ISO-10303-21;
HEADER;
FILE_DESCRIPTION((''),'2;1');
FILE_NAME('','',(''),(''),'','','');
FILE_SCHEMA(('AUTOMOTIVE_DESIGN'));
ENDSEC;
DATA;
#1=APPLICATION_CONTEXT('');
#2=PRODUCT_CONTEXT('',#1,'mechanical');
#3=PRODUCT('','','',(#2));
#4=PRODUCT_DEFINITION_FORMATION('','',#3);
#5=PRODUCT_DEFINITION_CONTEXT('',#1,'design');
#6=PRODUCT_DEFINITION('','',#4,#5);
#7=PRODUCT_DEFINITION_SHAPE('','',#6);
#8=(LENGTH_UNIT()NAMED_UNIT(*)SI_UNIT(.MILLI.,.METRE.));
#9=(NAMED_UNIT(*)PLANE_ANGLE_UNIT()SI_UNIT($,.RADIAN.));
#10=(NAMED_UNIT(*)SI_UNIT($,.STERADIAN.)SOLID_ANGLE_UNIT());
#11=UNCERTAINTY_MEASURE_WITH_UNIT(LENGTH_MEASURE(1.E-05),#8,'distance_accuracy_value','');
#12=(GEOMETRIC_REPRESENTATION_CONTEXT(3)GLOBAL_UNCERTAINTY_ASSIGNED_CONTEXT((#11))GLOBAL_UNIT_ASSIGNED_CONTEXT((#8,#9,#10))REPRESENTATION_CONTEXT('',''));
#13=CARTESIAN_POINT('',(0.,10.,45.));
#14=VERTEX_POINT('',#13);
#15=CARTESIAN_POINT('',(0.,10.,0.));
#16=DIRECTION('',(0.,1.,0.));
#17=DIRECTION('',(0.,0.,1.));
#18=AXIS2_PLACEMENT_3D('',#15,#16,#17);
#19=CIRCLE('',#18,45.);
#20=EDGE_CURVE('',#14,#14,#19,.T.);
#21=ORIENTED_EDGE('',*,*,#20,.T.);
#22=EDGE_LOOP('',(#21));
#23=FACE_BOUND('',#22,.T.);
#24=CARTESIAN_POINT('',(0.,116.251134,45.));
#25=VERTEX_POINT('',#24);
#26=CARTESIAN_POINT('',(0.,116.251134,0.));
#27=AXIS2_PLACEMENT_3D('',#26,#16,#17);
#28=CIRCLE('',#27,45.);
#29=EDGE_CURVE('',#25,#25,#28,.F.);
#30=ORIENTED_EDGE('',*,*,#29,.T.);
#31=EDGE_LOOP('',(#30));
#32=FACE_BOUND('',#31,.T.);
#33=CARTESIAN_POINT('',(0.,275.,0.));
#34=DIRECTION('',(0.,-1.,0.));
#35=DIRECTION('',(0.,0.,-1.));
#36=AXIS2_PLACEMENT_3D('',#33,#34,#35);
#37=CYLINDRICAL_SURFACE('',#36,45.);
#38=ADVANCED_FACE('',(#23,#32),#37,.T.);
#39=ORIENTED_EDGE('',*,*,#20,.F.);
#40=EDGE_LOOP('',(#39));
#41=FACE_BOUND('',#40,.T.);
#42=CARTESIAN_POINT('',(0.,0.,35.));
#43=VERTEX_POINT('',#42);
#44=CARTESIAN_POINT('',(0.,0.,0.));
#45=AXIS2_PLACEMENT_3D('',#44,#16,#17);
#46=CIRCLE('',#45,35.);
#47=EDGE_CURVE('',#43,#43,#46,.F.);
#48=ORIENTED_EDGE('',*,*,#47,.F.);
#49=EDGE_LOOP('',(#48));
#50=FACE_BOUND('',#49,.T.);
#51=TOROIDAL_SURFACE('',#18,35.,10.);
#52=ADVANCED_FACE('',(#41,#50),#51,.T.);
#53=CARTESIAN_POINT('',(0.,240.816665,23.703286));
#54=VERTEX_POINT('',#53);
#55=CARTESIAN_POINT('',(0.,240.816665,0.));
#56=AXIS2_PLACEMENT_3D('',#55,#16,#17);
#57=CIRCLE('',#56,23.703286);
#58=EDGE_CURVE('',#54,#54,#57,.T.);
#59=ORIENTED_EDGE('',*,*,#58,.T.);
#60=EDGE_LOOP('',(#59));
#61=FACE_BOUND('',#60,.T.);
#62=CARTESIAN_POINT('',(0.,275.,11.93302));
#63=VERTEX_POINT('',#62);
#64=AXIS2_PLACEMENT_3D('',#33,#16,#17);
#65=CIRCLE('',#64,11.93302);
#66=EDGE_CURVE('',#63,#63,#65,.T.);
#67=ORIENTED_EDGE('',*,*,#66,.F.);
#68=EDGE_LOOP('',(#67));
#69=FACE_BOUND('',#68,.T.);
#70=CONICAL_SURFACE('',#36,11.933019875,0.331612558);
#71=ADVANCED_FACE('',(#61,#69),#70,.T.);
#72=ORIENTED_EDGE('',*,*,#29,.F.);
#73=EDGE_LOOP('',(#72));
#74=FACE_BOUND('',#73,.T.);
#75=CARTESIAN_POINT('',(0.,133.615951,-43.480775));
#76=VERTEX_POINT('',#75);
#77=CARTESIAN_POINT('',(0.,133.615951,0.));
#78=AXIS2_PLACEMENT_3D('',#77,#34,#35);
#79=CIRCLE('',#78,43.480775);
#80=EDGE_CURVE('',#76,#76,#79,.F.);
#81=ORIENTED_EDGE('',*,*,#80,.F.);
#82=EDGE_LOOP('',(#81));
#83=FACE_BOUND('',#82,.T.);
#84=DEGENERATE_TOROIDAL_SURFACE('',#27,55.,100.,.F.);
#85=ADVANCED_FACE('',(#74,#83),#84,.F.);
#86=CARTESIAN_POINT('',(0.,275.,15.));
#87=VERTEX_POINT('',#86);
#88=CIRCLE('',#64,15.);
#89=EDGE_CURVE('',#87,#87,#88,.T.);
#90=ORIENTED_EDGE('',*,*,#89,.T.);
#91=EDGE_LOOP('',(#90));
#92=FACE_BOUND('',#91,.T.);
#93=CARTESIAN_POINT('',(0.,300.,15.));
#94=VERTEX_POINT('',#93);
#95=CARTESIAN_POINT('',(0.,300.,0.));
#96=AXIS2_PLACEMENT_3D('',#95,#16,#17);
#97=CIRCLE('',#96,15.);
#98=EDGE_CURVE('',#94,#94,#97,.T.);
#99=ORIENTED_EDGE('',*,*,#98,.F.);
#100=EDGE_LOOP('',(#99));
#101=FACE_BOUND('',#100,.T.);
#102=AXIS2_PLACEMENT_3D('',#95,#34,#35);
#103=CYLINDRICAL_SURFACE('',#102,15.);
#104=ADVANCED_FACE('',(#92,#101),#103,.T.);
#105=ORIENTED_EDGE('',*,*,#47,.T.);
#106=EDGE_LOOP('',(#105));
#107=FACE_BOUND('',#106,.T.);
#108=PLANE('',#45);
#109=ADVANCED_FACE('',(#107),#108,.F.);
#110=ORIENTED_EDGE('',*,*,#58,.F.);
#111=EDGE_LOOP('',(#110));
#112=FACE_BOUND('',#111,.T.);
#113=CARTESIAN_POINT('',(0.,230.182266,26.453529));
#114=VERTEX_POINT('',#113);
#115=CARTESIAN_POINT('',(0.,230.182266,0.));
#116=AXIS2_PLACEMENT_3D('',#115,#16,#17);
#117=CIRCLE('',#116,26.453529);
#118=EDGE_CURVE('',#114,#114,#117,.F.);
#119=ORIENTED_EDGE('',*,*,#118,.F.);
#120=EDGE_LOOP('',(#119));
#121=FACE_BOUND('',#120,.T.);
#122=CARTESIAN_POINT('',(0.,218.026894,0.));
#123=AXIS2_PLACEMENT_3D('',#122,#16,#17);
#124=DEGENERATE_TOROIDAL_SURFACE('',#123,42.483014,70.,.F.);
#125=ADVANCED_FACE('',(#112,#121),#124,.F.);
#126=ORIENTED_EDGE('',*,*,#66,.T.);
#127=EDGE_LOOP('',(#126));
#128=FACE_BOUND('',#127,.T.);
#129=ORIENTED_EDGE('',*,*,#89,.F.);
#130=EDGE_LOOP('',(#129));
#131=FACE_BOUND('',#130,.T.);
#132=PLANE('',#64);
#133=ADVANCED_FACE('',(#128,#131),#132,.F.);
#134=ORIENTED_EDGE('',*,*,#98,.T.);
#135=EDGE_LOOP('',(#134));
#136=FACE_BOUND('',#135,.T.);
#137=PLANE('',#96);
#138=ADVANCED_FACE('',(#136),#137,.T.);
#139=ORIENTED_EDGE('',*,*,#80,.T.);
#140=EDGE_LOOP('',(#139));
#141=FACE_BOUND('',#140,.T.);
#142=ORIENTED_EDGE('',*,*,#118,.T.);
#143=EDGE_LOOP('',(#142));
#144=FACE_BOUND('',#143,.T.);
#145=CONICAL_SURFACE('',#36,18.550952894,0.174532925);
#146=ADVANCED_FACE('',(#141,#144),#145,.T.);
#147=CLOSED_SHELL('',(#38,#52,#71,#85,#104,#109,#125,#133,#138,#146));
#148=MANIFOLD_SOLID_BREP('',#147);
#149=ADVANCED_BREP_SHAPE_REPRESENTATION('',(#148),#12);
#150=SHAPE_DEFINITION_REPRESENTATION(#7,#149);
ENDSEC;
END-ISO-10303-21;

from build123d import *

# Parameters (mm, degrees)
SKETCH1_R           = 45
BOSS_EXTRUDE1_DEPTH = 275
FILLET1_R           = 10
CHAMFER1_SIZE       = 150
CHAMFER1_SIZE2      = 26.449047106
FILLET2_R           = 100
CHAMFER2_SIZE       = 40
CHAMFER2_SIZE2      = 6.617933019
FILLET3_R           = 70
SKETCH2_R           = 15
BOSS_EXTRUDE2_DEPTH = 25


with BuildPart() as part:
    # Sketch1 → Boss-Extrude1 (new body)
    with BuildSketch(Plane(origin=(0, 0, 0), x_dir=(1, 0, 0), z_dir=(0, 1, 0))):
        with Locations(Location((0, 0, 0), (0, 0, 270))):
            Circle(SKETCH1_R)
    extrude(amount=BOSS_EXTRUDE1_DEPTH)

    # Fillet1
    fillet1_edges = [part.edges().sort_by_distance(p)[0] for p in [
        (0, 0, -45),
    ]]
    fillet(fillet1_edges, radius=FILLET1_R)

    # Chamfer1
    chamfer1_edges = [part.edges().sort_by_distance(p)[0] for p in [
        (0, 275, -45),
    ]]
    chamfer1_side = [part.faces().sort_by_distance(p)[0] for p in [
        (0, 142.5, -45),
    ]]
    chamfer(chamfer1_edges, length=CHAMFER1_SIZE, length2=CHAMFER1_SIZE2, reference=chamfer1_side[0])

    # Fillet2
    fillet2_edges = [part.edges().sort_by_distance(p)[0] for p in [
        (0, 125, -45),
    ]]
    fillet(fillet2_edges, radius=FILLET2_R)

    # Chamfer2
    chamfer2_edges = [part.edges().sort_by_distance(p)[0] for p in [
        (0, 275, -18.550952894),
    ]]
    chamfer2_side = [part.faces().sort_by_distance(p)[0] for p in [
        (0, 204.307975707, -31.015864097),
    ]]
    chamfer(chamfer2_edges, length=CHAMFER2_SIZE, length2=CHAMFER2_SIZE2, reference=chamfer2_side[0])

    # Fillet3
    fillet3_edges = [part.edges().sort_by_distance(p)[0] for p in [
        (0, 235.60768988, -25.49688),
    ]]
    fillet(fillet3_edges, radius=FILLET3_R)

    # Sketch2 → Boss-Extrude2 (add)
    with BuildSketch(Plane(origin=(0, 275, 0), x_dir=(1, 0, 0), z_dir=(0, 1, 0))):
        with Locations(Location((0, 0, 0), (0, 0, 270))):
            Circle(SKETCH2_R)
    extrude(amount=BOSS_EXTRUDE2_DEPTH)


solid = part.part
